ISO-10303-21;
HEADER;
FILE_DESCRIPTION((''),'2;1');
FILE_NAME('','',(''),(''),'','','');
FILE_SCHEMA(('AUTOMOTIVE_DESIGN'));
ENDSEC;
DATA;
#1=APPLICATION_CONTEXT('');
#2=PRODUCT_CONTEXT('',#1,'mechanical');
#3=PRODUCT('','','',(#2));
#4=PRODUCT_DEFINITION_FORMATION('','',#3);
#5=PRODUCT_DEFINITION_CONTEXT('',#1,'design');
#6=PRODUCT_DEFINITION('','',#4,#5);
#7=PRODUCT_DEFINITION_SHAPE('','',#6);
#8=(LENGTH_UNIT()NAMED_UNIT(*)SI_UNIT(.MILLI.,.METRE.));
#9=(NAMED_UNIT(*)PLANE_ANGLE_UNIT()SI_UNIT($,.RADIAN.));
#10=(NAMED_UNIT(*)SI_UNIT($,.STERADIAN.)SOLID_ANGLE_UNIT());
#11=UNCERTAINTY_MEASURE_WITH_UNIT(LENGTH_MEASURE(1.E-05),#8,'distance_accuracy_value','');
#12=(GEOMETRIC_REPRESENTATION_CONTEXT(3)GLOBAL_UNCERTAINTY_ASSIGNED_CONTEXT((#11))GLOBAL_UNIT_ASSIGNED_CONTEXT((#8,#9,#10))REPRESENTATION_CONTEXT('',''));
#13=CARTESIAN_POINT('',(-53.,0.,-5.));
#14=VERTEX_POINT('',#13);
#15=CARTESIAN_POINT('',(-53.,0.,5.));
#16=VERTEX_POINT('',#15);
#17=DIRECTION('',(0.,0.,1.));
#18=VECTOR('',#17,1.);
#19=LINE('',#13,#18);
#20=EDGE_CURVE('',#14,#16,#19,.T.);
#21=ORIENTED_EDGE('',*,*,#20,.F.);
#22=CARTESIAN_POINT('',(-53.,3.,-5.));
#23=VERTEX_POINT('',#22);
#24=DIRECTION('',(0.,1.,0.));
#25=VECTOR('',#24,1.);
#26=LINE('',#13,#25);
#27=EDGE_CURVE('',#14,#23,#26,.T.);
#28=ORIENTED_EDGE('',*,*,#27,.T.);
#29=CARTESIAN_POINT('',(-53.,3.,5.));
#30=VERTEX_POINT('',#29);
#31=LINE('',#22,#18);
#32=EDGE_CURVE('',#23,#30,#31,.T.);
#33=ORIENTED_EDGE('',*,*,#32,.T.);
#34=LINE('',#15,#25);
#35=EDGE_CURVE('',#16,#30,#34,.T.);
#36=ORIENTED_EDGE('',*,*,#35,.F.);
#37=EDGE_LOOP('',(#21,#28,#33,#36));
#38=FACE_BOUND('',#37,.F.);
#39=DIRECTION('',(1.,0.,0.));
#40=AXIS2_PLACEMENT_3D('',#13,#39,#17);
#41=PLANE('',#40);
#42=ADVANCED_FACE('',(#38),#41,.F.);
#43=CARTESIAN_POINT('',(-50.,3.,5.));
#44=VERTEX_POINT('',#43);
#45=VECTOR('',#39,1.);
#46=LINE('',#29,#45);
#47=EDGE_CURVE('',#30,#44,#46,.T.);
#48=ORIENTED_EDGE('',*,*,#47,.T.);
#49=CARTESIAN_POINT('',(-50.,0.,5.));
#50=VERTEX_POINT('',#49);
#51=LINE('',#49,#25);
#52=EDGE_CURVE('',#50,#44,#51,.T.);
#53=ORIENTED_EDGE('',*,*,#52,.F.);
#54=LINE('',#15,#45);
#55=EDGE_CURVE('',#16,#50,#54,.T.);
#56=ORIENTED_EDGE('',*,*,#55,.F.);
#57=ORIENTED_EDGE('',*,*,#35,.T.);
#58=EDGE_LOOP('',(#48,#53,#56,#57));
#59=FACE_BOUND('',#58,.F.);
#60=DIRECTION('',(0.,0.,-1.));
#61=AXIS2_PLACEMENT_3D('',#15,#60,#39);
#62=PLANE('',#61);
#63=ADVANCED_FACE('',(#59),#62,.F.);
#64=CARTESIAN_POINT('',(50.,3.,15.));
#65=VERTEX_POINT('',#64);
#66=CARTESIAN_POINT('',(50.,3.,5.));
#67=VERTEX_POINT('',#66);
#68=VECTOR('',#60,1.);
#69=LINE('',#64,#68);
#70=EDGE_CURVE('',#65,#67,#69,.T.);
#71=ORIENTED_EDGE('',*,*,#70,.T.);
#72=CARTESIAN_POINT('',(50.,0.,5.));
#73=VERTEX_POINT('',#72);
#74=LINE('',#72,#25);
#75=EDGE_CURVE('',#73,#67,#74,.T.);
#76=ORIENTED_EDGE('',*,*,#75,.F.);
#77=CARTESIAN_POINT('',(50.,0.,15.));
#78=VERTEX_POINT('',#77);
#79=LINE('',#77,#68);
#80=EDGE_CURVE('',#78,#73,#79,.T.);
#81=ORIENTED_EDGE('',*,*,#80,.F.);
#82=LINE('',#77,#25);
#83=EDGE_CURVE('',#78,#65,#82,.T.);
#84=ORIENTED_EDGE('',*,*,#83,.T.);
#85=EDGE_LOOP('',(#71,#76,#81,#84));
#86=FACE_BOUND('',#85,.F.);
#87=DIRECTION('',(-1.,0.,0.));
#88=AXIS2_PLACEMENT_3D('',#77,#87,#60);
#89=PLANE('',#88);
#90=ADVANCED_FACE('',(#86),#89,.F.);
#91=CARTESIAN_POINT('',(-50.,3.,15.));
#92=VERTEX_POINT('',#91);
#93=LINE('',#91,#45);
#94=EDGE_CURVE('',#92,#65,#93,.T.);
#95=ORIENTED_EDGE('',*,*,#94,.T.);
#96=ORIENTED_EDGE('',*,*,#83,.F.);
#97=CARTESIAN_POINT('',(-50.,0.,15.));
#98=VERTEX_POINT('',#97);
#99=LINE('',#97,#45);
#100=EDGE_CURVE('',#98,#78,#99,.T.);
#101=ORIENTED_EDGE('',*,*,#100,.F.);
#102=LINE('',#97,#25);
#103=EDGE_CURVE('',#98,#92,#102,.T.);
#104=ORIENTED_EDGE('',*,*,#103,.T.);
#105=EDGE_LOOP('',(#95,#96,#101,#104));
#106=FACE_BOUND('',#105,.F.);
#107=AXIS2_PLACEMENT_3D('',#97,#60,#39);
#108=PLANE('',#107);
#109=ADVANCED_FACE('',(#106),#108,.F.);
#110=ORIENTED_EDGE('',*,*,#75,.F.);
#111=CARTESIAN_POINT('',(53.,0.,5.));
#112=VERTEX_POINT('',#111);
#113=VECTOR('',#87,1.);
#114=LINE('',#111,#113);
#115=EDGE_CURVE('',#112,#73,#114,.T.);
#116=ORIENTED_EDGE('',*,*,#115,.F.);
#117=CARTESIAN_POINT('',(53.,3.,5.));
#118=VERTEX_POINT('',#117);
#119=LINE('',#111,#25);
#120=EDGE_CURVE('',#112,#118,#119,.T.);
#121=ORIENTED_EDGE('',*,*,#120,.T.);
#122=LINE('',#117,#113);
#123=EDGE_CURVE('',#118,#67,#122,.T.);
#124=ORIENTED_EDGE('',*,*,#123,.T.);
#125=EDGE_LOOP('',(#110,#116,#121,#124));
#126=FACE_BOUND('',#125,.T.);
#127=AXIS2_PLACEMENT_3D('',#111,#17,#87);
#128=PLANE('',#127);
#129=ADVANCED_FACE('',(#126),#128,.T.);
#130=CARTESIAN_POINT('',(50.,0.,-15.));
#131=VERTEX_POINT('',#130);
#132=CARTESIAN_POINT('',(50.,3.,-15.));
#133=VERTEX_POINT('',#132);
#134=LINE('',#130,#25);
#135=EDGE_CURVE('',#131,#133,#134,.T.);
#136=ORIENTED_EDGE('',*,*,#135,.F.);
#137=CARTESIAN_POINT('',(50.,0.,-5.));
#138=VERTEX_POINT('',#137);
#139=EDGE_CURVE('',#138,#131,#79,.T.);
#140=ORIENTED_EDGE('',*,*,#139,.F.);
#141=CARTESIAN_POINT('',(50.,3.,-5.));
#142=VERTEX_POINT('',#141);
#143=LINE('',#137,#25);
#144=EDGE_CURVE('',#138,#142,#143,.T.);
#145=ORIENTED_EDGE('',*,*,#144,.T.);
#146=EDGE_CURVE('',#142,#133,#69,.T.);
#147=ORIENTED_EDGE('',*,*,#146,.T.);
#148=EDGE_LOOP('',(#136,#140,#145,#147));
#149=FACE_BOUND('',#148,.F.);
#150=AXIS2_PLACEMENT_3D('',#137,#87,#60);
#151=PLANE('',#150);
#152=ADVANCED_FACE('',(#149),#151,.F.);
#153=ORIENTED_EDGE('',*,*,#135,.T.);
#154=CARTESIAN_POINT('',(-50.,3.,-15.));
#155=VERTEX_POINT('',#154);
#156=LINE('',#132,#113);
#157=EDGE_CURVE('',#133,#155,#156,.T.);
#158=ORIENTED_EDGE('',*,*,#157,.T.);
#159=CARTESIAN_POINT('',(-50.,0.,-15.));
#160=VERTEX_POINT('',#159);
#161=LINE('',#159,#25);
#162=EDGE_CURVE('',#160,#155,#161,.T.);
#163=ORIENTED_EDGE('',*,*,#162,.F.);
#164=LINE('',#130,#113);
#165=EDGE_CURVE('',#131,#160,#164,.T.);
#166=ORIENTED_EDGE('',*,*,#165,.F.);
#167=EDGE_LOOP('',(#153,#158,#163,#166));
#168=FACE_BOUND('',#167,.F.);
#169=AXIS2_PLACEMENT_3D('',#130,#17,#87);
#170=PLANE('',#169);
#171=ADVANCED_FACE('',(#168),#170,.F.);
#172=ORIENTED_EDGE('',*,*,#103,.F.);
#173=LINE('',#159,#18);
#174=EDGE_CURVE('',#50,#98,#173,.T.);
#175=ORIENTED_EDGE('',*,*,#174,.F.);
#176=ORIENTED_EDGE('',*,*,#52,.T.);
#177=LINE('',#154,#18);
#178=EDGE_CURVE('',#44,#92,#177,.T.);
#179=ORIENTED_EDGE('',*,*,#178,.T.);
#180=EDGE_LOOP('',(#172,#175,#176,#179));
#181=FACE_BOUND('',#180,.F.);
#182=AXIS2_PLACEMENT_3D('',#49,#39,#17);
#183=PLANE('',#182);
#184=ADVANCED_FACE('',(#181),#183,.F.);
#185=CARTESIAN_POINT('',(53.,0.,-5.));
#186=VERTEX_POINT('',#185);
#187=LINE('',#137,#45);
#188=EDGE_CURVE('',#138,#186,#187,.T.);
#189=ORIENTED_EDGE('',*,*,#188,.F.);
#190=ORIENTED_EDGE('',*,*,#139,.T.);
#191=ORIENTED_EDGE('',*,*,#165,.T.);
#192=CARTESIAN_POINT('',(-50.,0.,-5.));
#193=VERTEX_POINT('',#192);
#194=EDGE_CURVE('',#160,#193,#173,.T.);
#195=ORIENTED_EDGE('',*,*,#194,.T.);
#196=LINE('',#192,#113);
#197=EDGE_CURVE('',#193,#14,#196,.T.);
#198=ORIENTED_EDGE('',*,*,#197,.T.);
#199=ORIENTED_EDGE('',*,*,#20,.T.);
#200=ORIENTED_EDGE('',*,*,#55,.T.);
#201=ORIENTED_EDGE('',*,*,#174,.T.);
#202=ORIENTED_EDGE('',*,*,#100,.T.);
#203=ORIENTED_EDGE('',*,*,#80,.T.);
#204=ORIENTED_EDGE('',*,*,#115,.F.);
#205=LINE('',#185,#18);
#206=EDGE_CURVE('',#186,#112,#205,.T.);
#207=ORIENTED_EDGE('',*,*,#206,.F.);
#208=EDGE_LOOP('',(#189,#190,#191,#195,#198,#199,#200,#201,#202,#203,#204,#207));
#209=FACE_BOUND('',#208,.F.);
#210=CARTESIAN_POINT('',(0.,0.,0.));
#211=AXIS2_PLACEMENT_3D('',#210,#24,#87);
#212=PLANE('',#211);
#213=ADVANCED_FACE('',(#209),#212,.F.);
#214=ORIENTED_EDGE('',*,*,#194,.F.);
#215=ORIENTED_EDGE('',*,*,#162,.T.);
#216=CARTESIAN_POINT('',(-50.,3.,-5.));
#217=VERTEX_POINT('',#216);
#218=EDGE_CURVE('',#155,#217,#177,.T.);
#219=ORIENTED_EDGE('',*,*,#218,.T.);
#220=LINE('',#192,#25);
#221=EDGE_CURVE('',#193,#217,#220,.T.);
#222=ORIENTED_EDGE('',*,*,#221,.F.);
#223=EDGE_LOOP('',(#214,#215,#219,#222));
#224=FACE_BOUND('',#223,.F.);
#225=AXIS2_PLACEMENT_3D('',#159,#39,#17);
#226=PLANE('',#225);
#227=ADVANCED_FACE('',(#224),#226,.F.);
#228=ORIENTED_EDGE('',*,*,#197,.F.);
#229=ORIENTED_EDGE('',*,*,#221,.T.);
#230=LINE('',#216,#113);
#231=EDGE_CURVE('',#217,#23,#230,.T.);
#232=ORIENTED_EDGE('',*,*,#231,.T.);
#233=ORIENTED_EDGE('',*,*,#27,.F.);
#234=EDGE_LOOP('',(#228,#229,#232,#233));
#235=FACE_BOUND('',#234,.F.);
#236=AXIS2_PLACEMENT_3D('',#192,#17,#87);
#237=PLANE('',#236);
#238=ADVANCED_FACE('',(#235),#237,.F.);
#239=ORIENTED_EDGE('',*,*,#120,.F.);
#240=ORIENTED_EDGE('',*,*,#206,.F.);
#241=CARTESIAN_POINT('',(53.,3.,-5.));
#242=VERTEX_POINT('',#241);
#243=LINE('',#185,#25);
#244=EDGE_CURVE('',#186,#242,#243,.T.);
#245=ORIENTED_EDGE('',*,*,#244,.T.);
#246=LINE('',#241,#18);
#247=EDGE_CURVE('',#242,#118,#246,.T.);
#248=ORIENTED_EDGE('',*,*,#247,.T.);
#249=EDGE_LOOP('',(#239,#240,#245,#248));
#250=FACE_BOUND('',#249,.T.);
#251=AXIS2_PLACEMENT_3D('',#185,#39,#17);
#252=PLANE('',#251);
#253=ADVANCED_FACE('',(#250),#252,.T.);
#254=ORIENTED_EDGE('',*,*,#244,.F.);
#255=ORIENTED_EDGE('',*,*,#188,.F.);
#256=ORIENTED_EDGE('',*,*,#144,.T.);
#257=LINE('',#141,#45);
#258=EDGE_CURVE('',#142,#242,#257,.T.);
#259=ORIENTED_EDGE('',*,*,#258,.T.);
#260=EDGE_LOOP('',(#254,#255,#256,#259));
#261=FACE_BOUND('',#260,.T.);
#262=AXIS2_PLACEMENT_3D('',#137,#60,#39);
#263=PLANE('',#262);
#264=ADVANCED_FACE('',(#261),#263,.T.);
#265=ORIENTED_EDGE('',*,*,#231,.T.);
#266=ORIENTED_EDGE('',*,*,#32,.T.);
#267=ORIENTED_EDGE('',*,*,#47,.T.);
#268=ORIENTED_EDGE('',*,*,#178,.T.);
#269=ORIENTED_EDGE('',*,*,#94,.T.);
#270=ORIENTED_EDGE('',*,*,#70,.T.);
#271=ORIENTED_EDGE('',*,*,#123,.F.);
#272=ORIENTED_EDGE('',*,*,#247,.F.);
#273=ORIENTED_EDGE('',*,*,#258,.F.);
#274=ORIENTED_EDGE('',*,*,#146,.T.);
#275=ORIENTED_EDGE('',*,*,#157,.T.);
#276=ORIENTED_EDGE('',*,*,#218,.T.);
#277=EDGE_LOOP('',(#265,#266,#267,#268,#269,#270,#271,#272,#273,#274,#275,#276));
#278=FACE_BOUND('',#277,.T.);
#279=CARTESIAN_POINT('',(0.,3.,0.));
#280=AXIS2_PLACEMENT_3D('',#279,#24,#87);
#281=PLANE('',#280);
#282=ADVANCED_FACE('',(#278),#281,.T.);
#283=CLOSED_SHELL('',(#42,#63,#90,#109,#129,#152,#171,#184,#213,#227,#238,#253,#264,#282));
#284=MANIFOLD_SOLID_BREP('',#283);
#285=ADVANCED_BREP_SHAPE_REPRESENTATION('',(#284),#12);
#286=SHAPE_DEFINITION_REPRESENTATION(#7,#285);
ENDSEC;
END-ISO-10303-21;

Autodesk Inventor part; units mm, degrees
ref_plane "YZ Plane" through (0, 0, 0) normal (1, 0, 0) x (0, 1, 0)
ref_plane "XZ Plane" through (0, 0, 0) normal (0, 1, 0) x (-1, 0, 0)
ref_plane "XY Plane" through (0, 0, 0) normal (0, 0, 1) x (1, 0, 0)
sketch "Sketch1" plane through (0, 0, 0) normal (0, 1, 0) x (-1, 0, 0)
  line L0 (50, 15) -> (-50, 15)
  line L1 (-50, 15) -> (-50, -15)
  line L2 (-50, -15) -> (50, -15)
  line L3 (50, -15) -> (50, 15)
  line L4 (50, 15) -> (-50, -15) construction
  line L5 (-50, 15) -> (50, -15) construction
  line L6 (-50, -5) -> (-53, -5)
  line L7 (-53, -5) -> (-53, 5)
  line L8 (-53, 5) -> (-50, 5)
  line L9 (-50, 5) -> (-50, -5)
  line L10 (50, -5) -> (53, -5)
  line L11 (53, -5) -> (53, 5)
  line L12 (53, 5) -> (50, 5)
  line L13 (50, 5) -> (50, -5)
  point P0 (0, 0)
  point P1 (50, 0)
  dimension "d0" = 100
  dimension "d1" = 30
  dimension "d2" = 3
  dimension "d3" = 10
  dimension "d4" = 3
extrude "Extrusion1" add sketch "Sketch1" along normal blind 3
properties part number "support"
